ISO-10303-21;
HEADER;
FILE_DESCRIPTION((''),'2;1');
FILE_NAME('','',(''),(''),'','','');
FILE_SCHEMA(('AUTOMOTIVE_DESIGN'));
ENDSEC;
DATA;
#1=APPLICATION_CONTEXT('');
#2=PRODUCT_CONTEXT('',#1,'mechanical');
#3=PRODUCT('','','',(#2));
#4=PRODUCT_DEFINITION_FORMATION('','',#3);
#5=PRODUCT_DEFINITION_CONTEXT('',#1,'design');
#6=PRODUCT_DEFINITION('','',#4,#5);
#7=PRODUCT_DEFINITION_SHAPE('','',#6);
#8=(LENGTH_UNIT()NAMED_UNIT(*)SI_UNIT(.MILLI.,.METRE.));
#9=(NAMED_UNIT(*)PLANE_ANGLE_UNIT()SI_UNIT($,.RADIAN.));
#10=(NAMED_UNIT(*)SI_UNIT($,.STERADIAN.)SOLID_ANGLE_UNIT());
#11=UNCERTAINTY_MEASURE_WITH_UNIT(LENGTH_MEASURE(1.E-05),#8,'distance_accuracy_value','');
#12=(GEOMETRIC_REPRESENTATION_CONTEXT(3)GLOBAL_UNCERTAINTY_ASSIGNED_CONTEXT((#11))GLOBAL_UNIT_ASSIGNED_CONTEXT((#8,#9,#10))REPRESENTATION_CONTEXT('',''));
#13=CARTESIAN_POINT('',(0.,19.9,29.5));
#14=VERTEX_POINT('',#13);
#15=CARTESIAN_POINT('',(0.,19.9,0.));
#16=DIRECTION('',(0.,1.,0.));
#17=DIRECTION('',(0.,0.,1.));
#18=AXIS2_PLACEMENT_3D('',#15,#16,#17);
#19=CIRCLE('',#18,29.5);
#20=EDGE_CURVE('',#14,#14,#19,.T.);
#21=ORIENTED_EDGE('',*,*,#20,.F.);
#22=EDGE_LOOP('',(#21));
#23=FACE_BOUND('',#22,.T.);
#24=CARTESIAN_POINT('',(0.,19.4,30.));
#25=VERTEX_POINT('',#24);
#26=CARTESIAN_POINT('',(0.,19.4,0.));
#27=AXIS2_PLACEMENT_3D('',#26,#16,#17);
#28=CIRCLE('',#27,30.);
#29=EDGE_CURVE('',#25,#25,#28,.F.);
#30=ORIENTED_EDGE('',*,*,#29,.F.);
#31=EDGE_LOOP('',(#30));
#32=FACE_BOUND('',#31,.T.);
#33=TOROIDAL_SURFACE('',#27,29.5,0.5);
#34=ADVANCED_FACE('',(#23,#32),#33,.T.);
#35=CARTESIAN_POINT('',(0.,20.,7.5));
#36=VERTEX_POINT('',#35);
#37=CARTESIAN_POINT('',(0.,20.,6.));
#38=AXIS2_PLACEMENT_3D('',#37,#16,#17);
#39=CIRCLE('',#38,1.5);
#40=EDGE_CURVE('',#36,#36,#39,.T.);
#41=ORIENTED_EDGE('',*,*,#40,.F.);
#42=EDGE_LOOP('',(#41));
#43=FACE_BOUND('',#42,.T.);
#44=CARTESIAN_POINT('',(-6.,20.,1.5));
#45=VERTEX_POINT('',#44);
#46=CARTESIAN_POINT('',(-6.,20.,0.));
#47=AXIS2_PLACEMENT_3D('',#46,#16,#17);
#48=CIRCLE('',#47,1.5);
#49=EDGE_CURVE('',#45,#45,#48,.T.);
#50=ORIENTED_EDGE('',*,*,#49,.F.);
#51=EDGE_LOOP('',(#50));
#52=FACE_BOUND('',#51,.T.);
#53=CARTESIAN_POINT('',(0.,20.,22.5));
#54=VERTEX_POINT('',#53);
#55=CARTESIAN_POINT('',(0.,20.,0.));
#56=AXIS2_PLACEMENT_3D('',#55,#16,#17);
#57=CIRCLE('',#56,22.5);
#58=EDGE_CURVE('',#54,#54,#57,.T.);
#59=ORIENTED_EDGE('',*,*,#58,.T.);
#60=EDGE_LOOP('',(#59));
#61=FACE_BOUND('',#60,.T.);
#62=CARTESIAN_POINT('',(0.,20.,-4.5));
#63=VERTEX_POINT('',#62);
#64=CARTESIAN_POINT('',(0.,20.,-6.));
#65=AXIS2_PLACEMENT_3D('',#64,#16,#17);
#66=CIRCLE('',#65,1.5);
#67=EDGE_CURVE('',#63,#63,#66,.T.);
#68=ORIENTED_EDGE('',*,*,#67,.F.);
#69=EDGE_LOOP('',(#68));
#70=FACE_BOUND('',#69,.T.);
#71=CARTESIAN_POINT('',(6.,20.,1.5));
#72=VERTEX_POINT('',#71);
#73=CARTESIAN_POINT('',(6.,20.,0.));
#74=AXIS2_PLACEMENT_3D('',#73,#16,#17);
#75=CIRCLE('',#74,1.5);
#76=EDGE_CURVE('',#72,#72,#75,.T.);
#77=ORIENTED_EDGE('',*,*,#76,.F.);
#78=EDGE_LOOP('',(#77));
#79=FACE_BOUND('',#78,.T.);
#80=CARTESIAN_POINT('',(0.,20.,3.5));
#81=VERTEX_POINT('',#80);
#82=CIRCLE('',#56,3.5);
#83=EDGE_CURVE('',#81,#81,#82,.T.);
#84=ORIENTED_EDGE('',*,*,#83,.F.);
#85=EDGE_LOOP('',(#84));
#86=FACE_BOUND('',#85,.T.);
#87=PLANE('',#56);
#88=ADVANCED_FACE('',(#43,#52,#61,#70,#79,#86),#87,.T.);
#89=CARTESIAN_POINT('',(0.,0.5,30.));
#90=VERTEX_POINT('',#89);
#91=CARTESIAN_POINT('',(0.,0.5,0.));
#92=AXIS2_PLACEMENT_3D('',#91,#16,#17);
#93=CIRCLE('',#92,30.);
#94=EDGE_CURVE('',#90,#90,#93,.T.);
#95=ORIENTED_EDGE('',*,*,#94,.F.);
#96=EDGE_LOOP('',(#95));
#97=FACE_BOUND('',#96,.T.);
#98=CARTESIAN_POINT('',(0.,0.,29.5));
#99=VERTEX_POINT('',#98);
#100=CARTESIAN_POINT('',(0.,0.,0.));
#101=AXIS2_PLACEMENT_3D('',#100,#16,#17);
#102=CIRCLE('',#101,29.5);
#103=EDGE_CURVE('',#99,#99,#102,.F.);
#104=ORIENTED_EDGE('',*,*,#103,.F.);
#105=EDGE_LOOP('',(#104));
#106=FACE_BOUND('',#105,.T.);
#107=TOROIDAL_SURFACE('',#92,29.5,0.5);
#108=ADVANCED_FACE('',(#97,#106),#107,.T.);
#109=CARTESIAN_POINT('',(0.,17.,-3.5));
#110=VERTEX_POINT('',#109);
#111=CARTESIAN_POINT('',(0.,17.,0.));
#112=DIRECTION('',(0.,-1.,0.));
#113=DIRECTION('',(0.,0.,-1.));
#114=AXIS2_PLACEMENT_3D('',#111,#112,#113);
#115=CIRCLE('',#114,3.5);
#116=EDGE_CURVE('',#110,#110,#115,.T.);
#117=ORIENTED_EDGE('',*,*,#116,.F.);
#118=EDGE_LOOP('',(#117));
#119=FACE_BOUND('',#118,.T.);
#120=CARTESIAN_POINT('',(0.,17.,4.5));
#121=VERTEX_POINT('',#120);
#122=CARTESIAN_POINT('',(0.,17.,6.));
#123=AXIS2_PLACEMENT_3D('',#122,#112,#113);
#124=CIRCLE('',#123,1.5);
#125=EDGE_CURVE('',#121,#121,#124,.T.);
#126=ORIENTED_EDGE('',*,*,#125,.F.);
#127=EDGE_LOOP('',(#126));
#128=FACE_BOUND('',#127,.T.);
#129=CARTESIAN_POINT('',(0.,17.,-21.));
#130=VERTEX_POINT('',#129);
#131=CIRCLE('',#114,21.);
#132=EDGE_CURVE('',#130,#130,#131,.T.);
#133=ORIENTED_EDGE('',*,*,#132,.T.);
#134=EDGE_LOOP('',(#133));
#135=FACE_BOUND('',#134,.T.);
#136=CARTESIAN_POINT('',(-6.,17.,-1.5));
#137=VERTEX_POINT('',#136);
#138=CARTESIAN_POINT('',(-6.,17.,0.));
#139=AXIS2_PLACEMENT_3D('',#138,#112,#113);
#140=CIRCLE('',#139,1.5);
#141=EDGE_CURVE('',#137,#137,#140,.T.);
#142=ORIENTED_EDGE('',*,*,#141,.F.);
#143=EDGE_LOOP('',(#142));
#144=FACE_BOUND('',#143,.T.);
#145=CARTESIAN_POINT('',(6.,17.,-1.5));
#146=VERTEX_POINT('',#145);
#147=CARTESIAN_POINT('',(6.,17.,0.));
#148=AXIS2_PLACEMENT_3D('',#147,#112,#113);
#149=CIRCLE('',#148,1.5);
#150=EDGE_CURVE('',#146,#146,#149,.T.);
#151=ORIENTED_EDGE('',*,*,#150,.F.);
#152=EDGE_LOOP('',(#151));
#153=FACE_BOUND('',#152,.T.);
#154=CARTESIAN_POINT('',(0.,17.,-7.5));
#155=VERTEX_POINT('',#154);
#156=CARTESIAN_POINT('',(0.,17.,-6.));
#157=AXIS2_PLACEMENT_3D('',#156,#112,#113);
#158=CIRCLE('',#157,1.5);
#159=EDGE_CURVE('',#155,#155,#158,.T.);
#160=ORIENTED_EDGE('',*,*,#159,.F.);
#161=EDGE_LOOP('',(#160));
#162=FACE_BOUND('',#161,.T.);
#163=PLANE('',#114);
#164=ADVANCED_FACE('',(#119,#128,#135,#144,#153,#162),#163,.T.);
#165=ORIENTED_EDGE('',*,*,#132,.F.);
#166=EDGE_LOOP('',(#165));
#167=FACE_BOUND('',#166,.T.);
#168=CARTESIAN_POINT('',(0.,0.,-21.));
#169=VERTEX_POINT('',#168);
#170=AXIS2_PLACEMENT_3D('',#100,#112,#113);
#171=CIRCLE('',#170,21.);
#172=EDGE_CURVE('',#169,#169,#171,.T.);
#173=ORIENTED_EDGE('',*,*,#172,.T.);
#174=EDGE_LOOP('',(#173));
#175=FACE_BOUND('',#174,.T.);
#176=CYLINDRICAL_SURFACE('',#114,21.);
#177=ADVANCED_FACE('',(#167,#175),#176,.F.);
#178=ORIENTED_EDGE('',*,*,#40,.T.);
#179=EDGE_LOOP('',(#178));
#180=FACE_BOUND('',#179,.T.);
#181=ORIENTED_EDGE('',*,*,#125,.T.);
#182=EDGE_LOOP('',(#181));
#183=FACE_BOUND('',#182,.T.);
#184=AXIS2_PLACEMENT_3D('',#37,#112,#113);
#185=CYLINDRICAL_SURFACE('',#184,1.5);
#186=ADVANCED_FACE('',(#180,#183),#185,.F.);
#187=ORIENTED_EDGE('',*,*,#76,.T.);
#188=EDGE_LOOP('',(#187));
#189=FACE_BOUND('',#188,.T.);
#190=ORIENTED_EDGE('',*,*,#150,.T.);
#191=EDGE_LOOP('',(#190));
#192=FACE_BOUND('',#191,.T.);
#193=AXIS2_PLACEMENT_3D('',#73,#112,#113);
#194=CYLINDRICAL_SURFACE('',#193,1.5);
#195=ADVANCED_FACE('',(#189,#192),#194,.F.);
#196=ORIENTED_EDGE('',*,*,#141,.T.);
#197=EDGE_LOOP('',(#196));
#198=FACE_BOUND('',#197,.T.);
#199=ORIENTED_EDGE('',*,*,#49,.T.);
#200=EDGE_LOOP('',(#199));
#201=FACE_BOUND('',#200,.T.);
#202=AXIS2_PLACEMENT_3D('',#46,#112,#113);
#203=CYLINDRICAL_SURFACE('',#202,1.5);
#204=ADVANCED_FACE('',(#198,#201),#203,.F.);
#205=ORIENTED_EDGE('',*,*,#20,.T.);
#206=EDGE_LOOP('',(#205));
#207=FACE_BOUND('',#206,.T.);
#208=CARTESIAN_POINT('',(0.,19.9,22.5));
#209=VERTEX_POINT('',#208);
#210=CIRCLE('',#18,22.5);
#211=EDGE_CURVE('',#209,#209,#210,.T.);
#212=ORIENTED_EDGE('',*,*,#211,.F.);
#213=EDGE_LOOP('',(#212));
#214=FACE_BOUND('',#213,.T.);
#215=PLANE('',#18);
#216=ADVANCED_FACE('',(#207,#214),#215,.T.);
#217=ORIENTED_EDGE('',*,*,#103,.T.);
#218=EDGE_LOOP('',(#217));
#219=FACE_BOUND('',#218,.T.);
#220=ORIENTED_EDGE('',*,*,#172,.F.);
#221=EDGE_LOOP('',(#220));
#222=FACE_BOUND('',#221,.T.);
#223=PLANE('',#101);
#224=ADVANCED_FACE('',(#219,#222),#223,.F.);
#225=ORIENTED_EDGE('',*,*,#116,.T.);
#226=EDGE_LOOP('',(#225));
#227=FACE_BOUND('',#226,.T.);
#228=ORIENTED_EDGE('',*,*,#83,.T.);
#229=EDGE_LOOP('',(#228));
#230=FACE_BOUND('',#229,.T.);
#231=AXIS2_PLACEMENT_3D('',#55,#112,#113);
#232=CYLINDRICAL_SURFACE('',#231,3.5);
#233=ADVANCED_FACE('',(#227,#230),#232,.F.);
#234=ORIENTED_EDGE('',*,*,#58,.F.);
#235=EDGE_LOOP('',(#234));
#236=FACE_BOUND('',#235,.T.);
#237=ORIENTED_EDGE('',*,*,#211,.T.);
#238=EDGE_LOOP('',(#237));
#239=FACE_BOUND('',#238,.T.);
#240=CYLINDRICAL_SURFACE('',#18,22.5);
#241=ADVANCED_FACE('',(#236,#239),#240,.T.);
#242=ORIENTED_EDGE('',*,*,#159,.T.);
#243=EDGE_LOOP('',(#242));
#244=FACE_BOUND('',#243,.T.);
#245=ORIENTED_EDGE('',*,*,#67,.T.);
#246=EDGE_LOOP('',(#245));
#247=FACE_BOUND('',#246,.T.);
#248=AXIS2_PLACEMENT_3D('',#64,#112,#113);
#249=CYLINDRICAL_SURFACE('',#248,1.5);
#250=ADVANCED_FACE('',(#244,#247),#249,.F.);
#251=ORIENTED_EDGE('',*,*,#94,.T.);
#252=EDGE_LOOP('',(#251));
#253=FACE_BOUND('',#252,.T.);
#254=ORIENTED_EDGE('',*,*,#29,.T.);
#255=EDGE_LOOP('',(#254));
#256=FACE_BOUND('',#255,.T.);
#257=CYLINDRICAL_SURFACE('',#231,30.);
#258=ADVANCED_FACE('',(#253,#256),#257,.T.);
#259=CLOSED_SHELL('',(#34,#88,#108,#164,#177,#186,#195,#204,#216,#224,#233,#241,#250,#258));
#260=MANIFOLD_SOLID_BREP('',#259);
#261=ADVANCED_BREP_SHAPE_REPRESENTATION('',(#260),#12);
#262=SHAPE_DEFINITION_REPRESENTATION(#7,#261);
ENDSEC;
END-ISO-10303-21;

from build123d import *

# Parameters (mm, degrees)
SKETCH_1_R          = 30
SKETCH_1_R_2        = 1.5
SKETCH_1_R_3        = 3.5
EXTRUDE_1_DEPTH     = 20
SKETCH_2_R          = 21
CUT_EXTRUDE_1_DEPTH = 17
CUT_EXTRUDE_START   = -0.1
SKETCH_3_R          = 30
SKETCH_3_R_2        = 22.5
CUT_EXTRUDE_2_DEPTH = 0.1
FILLET_1_R          = 0.5


with BuildPart() as part:
    # 草图1 → 凸台-拉伸1 (new body)
    with BuildSketch(Plane(origin=(0, 0, 0), x_dir=(1, 0, 0), z_dir=(0, 1, 0))):
        with Locations(Location((0, 0, 0), (0, 0, 270))):
            Circle(SKETCH_1_R)
        with Locations(Location((0, 6, 0), (0, 0, 270))):
            Circle(SKETCH_1_R_2, mode=Mode.SUBTRACT)
        with Locations(Location((0, 0, 0), (0, 0, 270))):
            Circle(SKETCH_1_R_3, mode=Mode.SUBTRACT)
        with Locations(Location((6, 0, 0), (0, 0, 270))):
            Circle(SKETCH_1_R_2, mode=Mode.SUBTRACT)
        with Locations(Location((0, -6, 0), (0, 0, 270))):
            Circle(SKETCH_1_R_2, mode=Mode.SUBTRACT)
        with Locations(Location((-6, 0, 0), (0, 0, 270))):
            Circle(SKETCH_1_R_2, mode=Mode.SUBTRACT)
    extrude(amount=EXTRUDE_1_DEPTH)

    # 草图2 → 切除-拉伸1 (cut)
    with BuildSketch(Plane(origin=(0, 0, 0), x_dir=(-1, 0, 0), z_dir=(0, -1, 0))):
        with Locations(Location((0, 0, 0), (0, 0, 90))):
            Circle(SKETCH_2_R)
    extrude(amount=-CUT_EXTRUDE_1_DEPTH, mode=Mode.SUBTRACT)

    # 草图3 → 切除-拉伸2 (cut)
    with BuildSketch(Plane(origin=(0, 20, 0), x_dir=(1, 0, 0), z_dir=(0, 1, 0)).offset(CUT_EXTRUDE_START)):
        with Locations(Location((0, 0, 0), (0, 0, 270))):
            Circle(SKETCH_3_R)
        with Locations(Location((0, 0, 0), (0, 0, 270))):
            Circle(SKETCH_3_R_2, mode=Mode.SUBTRACT)
    extrude(amount=CUT_EXTRUDE_2_DEPTH, mode=Mode.SUBTRACT)

    # 圆角1
    fillet_1_edges = [part.edges().sort_by_distance(p)[0] for p in [
        (0, 0, -30),
        (0, 19.9, -30),
    ]]
    fillet(fillet_1_edges, radius=FILLET_1_R)


solid = part.part
